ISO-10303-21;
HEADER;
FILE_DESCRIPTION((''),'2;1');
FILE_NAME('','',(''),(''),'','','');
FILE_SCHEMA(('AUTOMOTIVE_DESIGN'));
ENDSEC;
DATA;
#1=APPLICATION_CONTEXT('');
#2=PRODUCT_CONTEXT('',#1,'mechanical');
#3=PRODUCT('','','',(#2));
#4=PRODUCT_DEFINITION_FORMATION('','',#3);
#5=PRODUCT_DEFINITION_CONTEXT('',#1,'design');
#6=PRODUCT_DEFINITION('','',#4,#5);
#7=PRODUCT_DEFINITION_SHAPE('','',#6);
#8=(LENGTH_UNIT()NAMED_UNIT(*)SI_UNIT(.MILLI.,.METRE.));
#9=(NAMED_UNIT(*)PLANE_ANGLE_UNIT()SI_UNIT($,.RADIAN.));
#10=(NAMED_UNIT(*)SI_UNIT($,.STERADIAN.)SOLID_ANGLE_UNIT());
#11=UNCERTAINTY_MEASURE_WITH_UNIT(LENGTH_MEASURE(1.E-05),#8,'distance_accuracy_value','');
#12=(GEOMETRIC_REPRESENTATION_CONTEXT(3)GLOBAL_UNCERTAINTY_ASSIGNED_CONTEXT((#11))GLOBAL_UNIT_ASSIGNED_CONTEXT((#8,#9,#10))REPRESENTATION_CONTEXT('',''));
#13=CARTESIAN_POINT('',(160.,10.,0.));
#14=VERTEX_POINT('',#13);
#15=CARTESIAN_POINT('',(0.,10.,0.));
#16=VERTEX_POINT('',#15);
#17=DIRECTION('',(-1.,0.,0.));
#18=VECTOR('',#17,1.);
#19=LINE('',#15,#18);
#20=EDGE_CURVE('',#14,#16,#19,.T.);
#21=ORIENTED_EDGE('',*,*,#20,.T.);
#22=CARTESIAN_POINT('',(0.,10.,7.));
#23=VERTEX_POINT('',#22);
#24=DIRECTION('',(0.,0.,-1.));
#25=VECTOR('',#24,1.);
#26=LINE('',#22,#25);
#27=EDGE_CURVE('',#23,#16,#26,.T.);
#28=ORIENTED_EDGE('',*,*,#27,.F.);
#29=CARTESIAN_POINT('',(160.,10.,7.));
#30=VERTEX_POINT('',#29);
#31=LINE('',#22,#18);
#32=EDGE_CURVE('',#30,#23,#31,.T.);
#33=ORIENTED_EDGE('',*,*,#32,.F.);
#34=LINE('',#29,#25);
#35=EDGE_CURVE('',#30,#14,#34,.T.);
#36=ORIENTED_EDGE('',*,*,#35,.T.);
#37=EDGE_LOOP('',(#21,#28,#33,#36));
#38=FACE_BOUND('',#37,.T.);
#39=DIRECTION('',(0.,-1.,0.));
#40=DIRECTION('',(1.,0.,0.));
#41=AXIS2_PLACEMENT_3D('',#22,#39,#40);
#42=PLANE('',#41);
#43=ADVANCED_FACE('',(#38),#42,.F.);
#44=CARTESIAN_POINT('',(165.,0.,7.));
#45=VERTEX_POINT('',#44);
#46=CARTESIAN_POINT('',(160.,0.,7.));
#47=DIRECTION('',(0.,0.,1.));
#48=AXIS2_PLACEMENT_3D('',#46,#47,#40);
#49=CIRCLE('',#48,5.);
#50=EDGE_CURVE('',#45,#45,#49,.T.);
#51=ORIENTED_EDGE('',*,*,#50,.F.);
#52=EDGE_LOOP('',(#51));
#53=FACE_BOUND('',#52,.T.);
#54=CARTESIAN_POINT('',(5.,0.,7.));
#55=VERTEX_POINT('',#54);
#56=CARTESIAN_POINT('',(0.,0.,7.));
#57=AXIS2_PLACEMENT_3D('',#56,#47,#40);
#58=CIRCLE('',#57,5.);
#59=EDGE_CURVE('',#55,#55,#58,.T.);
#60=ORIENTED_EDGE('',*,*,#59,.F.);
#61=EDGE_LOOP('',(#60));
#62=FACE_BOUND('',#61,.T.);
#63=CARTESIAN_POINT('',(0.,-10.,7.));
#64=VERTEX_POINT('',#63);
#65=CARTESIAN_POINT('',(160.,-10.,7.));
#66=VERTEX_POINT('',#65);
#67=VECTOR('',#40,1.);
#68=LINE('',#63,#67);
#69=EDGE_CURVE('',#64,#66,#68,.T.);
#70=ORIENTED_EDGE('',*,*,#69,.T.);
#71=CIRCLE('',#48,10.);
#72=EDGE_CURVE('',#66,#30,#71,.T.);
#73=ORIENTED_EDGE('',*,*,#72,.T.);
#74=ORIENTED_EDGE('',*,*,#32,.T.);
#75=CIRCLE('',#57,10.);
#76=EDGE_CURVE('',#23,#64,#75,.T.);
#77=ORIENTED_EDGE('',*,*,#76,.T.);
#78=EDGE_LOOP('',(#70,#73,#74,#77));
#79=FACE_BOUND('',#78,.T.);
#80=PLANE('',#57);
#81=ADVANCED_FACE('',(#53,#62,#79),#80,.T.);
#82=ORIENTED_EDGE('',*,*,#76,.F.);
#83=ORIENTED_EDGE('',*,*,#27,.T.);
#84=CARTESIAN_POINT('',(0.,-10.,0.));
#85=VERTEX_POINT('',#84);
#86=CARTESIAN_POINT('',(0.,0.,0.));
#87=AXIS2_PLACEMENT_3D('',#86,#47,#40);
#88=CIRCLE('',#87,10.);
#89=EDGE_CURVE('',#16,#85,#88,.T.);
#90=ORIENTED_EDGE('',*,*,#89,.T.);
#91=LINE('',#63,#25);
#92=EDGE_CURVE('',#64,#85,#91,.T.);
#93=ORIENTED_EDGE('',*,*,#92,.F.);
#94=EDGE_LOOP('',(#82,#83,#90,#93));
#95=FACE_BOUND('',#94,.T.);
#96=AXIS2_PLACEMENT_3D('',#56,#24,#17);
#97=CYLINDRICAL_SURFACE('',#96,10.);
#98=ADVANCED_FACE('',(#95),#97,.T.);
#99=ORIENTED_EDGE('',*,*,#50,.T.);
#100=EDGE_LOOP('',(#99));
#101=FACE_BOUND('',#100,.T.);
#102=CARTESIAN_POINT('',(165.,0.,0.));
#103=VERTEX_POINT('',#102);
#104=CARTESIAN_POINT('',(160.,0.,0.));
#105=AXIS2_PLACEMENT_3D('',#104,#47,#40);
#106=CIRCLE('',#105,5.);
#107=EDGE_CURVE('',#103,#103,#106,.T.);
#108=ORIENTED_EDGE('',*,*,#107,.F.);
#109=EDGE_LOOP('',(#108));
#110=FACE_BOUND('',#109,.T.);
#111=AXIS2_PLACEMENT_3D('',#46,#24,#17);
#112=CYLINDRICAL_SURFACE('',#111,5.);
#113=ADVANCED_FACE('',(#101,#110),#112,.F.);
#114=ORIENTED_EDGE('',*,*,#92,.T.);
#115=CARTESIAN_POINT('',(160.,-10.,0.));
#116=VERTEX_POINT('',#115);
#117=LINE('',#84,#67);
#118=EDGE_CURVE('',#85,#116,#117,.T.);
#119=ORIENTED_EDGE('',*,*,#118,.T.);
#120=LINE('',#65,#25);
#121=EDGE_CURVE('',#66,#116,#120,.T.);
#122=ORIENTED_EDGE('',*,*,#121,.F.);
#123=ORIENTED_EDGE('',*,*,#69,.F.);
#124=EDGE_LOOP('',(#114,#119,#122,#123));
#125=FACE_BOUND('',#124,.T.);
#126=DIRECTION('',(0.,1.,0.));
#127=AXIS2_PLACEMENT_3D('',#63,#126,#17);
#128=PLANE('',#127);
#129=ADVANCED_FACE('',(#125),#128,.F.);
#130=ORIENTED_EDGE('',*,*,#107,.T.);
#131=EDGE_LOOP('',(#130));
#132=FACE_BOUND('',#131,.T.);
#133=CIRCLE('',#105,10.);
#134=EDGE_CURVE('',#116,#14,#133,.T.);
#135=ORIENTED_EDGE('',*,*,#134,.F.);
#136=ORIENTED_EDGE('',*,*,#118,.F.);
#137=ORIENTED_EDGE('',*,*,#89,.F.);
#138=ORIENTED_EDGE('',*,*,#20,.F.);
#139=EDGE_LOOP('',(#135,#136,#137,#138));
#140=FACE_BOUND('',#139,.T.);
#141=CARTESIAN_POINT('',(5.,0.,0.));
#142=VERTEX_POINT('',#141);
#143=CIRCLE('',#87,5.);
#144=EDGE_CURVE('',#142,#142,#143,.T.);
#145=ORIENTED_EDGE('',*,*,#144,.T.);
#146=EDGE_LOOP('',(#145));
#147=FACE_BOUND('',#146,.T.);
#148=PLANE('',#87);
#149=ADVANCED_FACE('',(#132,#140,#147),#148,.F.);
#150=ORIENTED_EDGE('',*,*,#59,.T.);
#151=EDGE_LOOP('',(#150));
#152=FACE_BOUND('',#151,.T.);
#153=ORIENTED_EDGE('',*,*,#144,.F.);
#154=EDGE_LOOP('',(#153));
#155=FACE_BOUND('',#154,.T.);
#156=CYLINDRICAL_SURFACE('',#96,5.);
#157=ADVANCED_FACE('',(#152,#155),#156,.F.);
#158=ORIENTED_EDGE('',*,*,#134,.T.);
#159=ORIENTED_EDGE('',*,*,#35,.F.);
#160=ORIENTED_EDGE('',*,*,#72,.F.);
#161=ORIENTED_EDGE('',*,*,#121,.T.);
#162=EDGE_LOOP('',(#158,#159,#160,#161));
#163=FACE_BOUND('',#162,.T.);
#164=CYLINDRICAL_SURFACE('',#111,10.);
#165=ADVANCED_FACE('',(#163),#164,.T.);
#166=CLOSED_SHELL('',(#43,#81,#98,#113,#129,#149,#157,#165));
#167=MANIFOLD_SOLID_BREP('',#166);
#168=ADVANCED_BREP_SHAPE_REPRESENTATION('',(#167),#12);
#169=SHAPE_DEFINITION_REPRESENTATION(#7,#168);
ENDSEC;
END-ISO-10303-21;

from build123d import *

# Parameters (mm, degrees)
SKETCH_1_R      = 5
EXTRUDE_1_DEPTH = 7


with BuildPart() as part:
    # 草图1 → 凸台-拉伸1 (new body)
    with BuildSketch(Plane.XY):
        with BuildLine():
            Line((0, 10), (160, 10))
            ThreePointArc((160, 10), (170, 0), (160, -10))
            Line((160, -10), (0, -10))
            ThreePointArc((0, -10), (-10, 0), (0, 10))
        make_face()
        Circle(SKETCH_1_R, mode=Mode.SUBTRACT)
        with Locations((160, 0)):
            Circle(SKETCH_1_R, mode=Mode.SUBTRACT)
    extrude(amount=EXTRUDE_1_DEPTH)


solid = part.part
